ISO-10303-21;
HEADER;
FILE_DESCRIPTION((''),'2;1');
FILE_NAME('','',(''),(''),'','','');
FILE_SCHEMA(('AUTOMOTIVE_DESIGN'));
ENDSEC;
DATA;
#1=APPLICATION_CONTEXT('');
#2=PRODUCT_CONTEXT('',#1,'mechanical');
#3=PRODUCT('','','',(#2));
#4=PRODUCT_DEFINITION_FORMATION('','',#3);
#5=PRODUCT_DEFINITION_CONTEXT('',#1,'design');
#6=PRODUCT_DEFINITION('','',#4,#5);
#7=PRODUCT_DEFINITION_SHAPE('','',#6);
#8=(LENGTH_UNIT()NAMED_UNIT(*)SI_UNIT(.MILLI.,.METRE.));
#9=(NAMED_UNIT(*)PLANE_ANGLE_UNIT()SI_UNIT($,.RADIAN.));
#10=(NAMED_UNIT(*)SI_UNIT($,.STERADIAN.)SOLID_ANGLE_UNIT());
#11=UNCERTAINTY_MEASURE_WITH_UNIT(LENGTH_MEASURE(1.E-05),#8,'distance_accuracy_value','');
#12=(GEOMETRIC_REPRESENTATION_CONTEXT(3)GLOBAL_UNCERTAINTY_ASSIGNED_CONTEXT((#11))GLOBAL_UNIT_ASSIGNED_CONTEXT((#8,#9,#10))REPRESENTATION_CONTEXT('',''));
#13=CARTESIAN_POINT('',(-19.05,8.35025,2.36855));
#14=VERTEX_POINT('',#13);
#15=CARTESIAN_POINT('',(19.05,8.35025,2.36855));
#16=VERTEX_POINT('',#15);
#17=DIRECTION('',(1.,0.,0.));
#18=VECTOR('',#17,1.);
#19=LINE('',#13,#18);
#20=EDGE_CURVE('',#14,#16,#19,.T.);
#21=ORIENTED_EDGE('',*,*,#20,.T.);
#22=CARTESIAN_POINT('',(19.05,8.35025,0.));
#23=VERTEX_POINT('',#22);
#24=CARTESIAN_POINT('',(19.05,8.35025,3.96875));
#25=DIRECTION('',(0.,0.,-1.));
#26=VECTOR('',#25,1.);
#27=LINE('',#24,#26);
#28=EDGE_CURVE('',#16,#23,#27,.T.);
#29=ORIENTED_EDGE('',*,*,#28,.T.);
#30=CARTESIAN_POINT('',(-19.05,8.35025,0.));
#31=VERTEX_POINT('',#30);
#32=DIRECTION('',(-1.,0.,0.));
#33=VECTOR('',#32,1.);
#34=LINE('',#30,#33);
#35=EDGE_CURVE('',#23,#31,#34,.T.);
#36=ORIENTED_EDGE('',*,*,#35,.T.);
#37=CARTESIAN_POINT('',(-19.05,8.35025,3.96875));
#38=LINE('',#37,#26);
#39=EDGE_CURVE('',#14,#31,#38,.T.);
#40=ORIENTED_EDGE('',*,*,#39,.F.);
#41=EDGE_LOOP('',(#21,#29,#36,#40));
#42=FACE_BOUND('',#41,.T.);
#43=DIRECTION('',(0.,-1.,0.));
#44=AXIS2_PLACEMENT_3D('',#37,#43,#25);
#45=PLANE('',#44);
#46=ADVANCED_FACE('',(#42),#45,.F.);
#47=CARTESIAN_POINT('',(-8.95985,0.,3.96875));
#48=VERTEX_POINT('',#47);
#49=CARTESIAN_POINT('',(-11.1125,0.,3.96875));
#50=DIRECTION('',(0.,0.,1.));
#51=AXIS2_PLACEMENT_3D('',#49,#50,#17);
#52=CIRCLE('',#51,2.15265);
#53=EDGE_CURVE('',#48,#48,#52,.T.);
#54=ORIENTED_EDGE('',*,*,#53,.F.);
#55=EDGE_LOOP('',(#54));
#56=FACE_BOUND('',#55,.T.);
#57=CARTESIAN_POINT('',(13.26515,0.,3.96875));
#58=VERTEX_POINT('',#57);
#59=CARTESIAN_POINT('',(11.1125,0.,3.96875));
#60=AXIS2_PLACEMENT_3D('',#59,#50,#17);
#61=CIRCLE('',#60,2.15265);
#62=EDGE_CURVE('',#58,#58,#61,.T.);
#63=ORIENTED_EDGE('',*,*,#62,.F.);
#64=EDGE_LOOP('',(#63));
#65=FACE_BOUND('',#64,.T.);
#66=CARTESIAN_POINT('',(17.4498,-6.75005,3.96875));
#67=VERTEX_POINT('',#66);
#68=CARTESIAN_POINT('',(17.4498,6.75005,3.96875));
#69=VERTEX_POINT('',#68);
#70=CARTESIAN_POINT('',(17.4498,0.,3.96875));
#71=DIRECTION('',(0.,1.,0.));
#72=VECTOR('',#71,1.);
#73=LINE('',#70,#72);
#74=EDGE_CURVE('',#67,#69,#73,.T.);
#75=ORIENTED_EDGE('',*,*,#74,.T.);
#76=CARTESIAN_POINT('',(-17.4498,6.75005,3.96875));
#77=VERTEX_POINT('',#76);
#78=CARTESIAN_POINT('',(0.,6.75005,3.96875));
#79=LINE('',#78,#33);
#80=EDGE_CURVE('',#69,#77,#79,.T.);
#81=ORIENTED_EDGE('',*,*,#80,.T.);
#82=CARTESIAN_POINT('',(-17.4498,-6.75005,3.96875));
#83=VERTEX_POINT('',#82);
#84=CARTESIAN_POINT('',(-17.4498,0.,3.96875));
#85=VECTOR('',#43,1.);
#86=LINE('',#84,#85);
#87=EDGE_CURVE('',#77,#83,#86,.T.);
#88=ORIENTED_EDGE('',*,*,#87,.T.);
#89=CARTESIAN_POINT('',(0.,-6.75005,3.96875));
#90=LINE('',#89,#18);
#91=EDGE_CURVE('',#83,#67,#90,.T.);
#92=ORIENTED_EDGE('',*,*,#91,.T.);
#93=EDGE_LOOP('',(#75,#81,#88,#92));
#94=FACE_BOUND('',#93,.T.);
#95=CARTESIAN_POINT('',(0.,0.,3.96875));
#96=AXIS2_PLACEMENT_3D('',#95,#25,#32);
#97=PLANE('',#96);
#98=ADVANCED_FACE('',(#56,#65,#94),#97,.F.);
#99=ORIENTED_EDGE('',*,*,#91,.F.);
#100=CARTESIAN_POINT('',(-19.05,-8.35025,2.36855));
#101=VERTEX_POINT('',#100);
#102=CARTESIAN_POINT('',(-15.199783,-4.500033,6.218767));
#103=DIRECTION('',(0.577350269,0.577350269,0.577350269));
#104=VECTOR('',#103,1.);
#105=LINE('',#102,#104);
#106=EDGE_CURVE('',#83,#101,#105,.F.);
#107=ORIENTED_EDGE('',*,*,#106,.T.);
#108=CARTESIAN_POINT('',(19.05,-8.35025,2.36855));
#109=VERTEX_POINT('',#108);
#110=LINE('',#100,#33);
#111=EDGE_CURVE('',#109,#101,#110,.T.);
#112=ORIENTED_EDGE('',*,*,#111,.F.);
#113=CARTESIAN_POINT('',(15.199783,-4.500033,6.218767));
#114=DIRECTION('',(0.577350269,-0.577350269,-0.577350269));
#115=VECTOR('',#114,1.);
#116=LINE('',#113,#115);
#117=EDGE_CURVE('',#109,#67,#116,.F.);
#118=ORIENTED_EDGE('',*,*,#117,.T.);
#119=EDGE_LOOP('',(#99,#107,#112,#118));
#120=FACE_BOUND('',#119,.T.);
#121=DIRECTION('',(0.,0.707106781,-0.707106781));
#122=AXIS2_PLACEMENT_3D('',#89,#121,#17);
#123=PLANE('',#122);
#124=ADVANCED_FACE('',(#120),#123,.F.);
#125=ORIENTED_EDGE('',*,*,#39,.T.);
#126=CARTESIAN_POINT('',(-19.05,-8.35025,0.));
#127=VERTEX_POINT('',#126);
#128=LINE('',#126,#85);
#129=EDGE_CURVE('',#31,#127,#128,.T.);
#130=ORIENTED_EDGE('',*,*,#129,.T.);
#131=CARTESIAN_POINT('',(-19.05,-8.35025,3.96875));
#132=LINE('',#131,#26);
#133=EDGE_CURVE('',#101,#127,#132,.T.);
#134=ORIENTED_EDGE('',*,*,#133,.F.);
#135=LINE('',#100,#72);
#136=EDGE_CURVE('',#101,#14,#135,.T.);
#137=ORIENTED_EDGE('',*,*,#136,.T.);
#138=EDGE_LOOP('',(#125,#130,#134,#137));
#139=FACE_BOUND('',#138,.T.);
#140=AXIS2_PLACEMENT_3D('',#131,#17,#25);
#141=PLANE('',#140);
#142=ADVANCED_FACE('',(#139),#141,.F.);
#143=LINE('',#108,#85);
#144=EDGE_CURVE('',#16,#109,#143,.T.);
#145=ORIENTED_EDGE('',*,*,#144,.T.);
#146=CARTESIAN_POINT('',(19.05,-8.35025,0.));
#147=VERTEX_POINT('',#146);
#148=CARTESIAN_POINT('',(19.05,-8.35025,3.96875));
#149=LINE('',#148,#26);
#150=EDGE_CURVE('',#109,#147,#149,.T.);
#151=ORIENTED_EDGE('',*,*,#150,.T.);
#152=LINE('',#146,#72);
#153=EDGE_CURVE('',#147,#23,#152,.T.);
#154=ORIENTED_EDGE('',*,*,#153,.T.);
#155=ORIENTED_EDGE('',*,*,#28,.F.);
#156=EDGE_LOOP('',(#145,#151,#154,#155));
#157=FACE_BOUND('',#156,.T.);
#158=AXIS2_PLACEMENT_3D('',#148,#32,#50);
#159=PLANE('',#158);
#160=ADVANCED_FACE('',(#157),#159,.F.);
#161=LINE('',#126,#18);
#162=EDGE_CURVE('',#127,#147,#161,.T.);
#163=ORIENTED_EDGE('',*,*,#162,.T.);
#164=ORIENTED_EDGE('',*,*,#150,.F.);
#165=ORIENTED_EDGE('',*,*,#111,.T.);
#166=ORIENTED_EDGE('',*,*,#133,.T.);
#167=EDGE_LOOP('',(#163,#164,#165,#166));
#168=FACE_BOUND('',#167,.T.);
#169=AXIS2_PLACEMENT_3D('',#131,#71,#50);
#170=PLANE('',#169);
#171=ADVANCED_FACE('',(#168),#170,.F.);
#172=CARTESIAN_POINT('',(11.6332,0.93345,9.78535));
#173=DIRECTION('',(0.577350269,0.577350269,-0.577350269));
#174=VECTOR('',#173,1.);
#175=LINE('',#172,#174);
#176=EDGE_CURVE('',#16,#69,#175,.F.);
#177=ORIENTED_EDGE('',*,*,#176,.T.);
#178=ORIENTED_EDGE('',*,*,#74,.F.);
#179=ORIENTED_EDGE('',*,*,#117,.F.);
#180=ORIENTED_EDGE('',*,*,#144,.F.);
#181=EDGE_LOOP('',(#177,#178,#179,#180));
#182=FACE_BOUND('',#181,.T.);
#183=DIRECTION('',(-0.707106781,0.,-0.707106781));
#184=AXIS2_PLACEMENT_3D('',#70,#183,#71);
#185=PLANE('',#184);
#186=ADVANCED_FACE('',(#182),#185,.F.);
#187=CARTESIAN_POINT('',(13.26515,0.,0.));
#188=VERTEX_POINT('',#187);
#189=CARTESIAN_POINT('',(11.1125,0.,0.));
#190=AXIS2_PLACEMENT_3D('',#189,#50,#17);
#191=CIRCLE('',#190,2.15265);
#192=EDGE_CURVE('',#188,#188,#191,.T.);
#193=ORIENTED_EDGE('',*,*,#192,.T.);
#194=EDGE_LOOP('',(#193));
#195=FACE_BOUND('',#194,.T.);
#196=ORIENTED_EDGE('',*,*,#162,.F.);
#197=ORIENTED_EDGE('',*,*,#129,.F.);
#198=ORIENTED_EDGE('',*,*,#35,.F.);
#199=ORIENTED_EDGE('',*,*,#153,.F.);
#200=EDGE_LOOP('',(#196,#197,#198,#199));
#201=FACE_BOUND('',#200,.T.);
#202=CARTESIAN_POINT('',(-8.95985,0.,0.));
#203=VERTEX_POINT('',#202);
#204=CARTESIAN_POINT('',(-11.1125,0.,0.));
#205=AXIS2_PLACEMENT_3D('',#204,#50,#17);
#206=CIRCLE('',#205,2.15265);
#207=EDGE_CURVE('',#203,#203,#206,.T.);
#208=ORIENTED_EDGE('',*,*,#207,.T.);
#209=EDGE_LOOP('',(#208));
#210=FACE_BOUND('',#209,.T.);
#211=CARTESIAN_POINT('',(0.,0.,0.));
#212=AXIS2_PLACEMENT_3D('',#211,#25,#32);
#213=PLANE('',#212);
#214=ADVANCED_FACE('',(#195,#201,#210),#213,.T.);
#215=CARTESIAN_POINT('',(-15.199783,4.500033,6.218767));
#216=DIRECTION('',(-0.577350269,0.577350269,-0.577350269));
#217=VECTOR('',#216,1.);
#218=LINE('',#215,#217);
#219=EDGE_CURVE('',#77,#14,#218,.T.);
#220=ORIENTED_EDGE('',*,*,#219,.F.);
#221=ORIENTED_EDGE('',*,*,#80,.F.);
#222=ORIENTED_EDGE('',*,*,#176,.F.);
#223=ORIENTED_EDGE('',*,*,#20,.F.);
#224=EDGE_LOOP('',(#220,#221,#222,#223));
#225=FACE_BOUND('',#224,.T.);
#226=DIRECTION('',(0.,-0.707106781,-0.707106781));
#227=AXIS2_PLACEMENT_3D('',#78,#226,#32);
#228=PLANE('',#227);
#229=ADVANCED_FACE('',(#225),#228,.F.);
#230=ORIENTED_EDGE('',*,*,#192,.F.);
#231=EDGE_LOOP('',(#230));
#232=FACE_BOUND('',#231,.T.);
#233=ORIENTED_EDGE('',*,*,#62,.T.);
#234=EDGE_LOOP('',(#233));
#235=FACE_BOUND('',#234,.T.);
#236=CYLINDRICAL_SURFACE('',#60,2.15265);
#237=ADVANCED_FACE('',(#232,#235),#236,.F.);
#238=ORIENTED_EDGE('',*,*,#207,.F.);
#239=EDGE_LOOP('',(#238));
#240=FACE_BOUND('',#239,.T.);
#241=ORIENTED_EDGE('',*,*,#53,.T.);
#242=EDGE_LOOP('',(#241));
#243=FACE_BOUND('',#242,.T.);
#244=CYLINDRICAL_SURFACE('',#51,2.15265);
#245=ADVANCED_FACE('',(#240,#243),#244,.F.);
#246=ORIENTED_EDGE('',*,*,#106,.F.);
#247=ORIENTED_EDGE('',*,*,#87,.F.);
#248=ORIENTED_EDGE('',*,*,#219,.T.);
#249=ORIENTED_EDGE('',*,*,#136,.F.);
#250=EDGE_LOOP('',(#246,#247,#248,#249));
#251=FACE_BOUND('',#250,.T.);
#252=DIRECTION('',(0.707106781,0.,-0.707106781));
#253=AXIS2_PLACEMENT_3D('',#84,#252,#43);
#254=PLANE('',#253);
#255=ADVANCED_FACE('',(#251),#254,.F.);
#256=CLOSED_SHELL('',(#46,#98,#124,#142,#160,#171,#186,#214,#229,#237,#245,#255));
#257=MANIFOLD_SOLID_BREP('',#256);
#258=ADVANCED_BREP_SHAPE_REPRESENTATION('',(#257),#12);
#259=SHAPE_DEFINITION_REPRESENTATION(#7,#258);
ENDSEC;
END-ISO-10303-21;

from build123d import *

# Parameters (mm, degrees)
SKETCH2_W             = 38.1
SKETCH2_H             = 16.7005
BOSS_EXTRUDE1_DEPTH   = 3.96875
F_8_CLEARANCE_HOLE1_D = 4.3053
CHAMFER1_SIZE         = 1.6002


with BuildPart() as part:
    # Sketch2 → Boss-Extrude1 (new body)
    with BuildSketch(Plane.XY):
        Rectangle(SKETCH2_W, SKETCH2_H)
    extrude(amount=BOSS_EXTRUDE1_DEPTH)

    # #8 Clearance Hole1 (through all)
    with Locations(Plane.XY.offset(3.96875)):
        with Locations((-11.1125, 0), (11.1125, 0)):
            Hole(F_8_CLEARANCE_HOLE1_D / 2)

    # Chamfer1
    chamfer1_edges = [part.edges().sort_by_distance(p)[0] for p in [
        (-19.05, 0, 3.96875),
        (0, -8.35025, 3.96875),
        (19.05, 0, 3.96875),
        (0, 8.35025, 3.96875),
    ]]
    chamfer(chamfer1_edges, length=CHAMFER1_SIZE)


solid = part.part
